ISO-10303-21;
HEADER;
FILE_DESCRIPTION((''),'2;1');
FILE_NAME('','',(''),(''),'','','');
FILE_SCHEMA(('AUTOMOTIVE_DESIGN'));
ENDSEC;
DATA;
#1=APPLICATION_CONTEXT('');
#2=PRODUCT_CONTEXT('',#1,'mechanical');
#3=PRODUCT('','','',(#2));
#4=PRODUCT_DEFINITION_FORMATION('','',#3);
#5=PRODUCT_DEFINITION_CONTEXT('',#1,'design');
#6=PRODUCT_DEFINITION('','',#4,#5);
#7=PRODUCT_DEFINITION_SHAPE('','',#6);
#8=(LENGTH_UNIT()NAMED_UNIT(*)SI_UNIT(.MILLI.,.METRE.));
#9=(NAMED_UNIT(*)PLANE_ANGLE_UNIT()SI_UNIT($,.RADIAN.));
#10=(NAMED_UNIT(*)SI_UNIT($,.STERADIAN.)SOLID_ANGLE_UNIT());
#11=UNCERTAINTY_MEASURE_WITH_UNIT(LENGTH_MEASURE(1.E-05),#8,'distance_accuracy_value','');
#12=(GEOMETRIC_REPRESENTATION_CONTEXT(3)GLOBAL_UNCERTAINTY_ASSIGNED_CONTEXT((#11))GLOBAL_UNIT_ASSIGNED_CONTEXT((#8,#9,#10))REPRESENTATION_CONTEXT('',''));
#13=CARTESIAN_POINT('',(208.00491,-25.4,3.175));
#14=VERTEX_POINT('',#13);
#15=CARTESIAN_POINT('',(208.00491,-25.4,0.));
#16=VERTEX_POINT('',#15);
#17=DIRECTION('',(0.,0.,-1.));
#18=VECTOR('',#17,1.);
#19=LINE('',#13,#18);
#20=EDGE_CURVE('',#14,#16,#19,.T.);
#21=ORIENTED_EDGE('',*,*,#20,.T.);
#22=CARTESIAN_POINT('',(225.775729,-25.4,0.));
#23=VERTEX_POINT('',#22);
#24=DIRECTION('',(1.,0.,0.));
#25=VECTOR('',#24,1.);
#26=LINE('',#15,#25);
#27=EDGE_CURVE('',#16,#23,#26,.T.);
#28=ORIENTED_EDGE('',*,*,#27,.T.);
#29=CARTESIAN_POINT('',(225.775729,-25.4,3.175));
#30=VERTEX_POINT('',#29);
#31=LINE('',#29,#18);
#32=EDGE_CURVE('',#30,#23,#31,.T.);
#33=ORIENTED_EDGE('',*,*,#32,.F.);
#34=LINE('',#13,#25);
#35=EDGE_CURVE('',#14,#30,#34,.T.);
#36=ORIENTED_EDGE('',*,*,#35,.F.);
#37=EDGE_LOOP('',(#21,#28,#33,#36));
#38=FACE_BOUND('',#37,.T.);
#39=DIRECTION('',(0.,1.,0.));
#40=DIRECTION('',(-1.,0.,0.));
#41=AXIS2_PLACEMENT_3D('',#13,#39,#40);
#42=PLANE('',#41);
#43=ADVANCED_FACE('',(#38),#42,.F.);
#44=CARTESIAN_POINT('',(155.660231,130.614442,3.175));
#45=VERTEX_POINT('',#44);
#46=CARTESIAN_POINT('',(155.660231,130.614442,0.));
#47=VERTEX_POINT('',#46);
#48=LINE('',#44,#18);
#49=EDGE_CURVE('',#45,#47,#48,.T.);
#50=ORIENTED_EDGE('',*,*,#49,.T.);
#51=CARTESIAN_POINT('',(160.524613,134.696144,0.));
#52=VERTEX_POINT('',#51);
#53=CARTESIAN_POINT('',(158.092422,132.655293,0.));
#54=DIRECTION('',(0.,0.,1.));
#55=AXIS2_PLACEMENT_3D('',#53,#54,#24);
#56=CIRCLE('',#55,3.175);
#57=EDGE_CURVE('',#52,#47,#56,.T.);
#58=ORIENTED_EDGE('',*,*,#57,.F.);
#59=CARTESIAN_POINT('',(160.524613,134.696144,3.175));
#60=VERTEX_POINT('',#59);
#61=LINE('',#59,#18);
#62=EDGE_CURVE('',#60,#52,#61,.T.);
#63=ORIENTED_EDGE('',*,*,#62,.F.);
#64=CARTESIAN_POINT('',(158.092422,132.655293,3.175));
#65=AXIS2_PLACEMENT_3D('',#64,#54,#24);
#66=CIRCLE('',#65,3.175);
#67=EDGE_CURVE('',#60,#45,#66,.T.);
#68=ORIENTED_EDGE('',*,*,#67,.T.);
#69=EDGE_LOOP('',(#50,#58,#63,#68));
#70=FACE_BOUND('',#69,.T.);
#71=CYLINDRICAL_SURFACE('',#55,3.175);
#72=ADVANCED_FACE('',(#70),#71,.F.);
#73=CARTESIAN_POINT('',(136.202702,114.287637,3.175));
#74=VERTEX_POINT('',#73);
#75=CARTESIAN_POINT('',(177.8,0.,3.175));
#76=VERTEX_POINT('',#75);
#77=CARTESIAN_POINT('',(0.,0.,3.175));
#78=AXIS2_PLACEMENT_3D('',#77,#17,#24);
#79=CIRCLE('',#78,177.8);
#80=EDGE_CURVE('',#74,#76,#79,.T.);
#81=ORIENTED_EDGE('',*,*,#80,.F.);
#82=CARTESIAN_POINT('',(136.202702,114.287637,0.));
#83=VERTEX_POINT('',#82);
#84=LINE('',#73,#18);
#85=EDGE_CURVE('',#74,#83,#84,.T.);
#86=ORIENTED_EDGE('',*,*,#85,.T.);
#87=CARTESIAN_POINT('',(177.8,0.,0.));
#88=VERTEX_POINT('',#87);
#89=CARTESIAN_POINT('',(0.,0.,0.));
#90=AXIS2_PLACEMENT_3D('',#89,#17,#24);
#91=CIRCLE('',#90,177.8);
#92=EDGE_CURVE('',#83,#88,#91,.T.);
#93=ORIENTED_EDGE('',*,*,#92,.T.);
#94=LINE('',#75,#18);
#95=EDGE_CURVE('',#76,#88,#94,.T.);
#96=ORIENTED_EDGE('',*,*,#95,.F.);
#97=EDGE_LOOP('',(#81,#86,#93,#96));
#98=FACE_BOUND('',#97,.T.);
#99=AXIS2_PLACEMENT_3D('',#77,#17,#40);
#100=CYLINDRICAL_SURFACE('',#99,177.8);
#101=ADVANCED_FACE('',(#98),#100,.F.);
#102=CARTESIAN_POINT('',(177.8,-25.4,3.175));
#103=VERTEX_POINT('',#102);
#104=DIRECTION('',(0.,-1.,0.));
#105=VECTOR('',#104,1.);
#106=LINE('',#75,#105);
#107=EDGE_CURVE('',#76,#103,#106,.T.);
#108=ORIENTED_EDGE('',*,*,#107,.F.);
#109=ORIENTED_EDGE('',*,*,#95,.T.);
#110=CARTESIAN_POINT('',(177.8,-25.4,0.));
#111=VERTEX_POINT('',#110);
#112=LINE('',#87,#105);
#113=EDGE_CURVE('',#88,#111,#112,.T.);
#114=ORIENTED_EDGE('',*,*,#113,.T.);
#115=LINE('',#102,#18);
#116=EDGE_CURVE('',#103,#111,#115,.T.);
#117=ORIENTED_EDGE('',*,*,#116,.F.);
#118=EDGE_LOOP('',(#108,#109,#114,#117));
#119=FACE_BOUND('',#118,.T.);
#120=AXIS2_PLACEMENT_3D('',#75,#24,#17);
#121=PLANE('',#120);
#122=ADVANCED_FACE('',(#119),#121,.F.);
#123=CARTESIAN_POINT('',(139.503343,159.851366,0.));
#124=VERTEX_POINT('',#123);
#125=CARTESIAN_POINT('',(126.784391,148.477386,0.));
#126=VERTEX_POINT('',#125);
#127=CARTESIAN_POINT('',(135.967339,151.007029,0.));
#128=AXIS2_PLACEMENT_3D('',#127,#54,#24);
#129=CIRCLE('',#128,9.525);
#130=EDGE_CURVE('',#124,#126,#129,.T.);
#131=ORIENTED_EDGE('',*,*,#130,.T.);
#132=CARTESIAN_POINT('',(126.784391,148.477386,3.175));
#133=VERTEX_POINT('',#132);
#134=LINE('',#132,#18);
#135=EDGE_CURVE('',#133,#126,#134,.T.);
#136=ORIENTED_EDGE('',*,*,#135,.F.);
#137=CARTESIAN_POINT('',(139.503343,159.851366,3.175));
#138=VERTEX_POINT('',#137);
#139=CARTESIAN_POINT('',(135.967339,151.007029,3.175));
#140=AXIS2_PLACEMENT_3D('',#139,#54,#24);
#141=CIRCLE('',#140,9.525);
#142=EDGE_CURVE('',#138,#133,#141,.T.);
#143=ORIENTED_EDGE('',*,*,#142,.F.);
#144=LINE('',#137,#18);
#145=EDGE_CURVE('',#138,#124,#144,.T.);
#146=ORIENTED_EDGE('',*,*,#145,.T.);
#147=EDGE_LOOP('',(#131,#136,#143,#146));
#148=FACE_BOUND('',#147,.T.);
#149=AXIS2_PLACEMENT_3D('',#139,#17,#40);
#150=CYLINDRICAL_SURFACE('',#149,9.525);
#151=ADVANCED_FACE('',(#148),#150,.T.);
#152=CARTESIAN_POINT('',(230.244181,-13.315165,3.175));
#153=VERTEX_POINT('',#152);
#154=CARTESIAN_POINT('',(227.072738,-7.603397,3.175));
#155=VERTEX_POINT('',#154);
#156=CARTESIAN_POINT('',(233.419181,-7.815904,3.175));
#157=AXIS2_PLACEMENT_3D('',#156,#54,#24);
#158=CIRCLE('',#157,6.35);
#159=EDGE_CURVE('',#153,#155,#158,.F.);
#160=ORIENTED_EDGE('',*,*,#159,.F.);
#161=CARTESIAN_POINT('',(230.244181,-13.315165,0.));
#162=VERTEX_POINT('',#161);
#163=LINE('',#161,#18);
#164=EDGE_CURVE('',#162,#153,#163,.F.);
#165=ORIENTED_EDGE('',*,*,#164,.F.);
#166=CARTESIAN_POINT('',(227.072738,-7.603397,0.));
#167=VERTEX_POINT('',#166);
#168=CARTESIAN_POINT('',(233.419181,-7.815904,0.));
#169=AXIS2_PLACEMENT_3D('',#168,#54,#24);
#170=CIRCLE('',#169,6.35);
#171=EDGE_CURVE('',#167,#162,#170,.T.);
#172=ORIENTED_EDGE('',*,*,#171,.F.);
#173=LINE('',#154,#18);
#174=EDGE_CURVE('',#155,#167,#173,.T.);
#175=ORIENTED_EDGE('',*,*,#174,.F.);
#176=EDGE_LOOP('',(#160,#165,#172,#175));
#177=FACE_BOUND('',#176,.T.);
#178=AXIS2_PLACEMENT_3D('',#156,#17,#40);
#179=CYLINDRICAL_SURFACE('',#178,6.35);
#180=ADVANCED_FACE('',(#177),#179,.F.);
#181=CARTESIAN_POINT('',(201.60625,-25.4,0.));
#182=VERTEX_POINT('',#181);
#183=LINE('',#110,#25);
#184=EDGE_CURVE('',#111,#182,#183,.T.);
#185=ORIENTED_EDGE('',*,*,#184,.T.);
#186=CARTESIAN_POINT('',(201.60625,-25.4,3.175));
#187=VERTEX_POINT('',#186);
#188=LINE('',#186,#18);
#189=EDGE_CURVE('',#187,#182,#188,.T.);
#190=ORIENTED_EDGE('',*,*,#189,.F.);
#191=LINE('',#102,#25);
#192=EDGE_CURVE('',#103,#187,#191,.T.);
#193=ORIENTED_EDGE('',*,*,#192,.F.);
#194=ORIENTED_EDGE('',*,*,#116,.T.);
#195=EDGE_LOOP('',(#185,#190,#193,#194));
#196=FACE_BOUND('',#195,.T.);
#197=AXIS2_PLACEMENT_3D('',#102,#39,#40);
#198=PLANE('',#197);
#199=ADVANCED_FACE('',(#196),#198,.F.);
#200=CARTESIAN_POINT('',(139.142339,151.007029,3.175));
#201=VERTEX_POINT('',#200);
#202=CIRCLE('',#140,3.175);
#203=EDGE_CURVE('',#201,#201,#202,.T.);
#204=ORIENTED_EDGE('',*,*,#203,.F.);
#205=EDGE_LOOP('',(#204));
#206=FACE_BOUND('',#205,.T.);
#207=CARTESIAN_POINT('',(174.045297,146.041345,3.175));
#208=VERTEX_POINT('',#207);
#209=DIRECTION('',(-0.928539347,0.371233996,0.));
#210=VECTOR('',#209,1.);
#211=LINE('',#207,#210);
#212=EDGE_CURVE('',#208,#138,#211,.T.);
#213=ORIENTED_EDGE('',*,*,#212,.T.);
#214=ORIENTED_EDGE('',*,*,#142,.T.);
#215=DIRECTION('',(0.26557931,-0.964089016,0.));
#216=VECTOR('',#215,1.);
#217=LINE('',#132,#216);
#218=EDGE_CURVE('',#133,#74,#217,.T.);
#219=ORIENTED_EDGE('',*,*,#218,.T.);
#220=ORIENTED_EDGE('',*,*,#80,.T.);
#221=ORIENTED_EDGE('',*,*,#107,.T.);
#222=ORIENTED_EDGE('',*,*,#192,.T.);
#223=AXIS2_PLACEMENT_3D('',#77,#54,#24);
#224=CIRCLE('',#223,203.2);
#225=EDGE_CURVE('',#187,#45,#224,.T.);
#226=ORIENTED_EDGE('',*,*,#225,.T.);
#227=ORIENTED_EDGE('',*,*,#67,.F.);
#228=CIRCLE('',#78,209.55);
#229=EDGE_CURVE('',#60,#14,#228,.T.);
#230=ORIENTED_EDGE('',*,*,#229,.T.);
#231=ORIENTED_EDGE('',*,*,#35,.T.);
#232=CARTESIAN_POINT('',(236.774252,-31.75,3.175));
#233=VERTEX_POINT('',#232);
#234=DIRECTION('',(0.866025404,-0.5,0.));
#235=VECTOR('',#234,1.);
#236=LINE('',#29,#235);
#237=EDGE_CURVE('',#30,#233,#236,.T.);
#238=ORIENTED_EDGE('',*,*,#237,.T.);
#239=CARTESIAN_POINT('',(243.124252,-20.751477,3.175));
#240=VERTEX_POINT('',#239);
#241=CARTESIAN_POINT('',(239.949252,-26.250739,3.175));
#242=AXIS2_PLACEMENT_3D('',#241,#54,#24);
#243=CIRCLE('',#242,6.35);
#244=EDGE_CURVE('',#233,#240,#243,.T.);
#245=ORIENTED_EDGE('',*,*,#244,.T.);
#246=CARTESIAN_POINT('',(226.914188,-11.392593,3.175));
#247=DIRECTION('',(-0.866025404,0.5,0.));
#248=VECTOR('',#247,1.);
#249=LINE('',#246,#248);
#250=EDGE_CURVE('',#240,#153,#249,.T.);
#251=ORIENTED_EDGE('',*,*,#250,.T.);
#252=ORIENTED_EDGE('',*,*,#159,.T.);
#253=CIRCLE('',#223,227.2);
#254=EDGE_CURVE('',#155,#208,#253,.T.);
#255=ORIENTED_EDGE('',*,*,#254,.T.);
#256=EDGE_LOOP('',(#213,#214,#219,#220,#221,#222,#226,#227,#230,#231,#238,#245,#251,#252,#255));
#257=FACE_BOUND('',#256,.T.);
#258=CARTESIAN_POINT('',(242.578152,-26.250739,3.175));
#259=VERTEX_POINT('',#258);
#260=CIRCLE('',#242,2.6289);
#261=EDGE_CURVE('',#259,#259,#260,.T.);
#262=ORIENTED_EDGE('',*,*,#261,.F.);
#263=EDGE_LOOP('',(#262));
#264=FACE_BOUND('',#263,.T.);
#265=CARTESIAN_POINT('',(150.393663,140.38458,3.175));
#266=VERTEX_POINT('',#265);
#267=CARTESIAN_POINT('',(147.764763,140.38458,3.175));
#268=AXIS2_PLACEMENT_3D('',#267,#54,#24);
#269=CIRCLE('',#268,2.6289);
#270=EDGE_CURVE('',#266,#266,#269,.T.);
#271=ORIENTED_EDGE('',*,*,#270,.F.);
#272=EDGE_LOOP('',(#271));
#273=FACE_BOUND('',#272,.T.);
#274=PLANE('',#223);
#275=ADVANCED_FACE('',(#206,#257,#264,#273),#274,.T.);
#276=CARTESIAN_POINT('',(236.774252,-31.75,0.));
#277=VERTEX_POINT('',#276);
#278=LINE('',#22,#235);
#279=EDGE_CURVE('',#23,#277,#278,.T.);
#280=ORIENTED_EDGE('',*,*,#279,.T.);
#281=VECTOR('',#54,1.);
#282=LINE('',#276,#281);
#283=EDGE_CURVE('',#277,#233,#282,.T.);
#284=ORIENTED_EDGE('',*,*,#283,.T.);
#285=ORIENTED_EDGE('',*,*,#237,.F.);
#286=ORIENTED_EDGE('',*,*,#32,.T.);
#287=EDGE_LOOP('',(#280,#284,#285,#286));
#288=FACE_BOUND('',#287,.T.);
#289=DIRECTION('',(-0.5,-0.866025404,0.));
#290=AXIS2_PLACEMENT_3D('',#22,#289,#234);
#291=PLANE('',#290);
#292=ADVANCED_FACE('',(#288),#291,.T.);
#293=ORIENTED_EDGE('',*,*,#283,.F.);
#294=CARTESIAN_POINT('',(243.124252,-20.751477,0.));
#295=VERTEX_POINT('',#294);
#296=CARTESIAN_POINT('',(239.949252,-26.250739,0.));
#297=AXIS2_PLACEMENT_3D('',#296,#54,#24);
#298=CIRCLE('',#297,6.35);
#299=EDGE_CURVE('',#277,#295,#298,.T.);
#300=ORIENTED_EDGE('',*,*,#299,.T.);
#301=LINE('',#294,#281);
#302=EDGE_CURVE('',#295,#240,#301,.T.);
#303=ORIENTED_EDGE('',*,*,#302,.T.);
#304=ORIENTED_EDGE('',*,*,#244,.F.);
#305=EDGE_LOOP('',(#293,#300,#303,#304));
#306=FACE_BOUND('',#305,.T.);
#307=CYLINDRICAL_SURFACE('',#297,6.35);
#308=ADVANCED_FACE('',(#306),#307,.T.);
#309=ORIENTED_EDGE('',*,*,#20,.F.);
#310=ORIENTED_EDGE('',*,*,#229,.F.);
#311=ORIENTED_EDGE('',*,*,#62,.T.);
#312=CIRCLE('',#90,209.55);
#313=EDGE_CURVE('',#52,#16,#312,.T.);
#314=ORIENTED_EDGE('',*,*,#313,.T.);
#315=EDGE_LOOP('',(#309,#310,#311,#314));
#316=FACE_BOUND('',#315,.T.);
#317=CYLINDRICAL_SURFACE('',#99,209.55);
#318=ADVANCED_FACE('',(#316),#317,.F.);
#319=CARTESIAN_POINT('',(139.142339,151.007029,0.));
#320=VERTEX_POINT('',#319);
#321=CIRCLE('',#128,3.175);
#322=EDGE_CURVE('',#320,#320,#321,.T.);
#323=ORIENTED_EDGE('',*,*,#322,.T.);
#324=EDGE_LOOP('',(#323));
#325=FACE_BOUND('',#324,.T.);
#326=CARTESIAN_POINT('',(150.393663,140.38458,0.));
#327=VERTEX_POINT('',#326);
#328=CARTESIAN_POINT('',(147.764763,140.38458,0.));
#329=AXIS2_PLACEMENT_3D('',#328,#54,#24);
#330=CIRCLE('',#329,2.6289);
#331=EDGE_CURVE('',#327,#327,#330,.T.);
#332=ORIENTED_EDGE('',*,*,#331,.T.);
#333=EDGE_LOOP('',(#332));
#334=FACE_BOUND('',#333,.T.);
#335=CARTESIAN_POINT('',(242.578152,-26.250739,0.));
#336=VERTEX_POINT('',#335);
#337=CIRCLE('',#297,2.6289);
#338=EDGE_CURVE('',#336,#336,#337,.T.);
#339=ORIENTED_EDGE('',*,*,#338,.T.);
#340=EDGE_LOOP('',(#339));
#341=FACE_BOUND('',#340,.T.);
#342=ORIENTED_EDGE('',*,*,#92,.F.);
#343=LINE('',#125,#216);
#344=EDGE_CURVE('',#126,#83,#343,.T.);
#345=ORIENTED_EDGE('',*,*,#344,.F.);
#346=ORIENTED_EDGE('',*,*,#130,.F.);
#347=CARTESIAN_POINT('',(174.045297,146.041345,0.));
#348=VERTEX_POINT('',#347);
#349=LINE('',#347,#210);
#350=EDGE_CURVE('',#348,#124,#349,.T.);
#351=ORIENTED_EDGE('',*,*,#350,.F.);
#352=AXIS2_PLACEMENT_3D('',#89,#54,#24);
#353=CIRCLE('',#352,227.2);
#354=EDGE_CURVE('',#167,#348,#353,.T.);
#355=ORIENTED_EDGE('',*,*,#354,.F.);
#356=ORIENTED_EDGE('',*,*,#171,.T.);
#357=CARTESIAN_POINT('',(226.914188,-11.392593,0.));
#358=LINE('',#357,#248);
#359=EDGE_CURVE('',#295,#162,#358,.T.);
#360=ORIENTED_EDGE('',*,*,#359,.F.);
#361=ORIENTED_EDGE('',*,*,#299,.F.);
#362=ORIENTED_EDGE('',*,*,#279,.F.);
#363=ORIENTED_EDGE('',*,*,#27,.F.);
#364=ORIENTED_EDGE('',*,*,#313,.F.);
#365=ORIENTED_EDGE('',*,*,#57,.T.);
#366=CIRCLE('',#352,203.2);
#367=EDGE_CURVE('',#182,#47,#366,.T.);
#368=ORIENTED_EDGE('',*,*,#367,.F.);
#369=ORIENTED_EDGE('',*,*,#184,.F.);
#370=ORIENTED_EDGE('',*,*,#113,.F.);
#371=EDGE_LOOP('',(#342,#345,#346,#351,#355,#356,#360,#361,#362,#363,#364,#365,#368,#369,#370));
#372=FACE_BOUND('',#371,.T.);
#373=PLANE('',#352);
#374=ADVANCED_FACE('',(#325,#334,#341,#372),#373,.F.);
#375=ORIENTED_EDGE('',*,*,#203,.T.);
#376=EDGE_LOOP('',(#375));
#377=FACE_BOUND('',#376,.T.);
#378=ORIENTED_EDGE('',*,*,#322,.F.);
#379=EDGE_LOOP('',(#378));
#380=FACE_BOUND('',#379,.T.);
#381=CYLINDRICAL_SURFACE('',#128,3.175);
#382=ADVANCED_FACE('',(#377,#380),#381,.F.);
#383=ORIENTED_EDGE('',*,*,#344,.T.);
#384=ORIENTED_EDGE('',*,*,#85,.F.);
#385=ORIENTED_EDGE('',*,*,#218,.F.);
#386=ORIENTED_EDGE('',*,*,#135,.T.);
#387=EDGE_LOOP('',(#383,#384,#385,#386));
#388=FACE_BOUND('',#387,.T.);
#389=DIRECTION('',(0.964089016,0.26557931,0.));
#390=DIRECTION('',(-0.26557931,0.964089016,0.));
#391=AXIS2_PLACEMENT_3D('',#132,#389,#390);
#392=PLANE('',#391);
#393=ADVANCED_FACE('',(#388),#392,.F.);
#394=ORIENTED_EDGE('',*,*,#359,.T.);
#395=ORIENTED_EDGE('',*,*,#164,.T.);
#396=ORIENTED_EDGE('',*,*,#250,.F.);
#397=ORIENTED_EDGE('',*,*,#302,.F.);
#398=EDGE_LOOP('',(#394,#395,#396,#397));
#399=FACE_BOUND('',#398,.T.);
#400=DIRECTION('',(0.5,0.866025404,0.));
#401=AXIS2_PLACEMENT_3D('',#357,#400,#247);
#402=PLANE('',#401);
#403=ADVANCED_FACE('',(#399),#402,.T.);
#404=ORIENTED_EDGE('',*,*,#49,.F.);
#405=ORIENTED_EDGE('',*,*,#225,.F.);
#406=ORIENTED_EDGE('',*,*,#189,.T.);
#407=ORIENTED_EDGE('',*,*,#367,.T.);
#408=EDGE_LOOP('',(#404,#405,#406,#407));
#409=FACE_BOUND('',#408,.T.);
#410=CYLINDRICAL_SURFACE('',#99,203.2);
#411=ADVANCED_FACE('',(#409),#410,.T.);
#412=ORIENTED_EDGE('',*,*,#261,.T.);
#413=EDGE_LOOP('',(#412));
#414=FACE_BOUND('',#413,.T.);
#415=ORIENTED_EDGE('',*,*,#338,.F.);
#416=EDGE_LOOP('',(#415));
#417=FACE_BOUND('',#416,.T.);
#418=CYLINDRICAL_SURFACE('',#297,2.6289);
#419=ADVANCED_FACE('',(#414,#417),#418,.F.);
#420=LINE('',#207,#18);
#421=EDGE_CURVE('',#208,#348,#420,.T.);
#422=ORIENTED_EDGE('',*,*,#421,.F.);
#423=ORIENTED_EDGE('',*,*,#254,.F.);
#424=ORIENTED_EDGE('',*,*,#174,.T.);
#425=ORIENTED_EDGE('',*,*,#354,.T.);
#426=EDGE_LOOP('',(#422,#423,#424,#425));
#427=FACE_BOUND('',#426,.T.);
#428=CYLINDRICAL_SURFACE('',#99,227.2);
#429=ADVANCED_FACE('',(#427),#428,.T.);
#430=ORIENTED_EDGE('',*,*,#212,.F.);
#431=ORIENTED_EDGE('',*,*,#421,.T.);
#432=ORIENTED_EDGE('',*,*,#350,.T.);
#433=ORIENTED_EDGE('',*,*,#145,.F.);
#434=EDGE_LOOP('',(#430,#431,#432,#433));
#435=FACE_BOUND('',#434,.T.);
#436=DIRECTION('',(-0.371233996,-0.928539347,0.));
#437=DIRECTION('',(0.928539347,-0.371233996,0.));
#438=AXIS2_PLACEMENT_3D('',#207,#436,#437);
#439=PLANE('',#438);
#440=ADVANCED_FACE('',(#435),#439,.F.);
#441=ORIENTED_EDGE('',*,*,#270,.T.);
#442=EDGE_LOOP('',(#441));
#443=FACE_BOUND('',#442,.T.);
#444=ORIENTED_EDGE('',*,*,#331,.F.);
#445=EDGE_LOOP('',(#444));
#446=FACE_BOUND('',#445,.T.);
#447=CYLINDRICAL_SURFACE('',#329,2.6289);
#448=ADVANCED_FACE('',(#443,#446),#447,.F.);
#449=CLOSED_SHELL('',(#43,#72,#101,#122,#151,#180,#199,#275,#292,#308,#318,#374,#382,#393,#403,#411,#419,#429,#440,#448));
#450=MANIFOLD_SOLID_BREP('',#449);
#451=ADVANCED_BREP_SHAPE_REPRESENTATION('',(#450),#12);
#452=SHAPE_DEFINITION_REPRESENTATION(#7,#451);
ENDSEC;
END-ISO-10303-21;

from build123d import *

# Parameters (mm, degrees)
COPIED_SKETCH_DONT_MESS_WITH_DEPTH = 3.175
SKETCH3_R                          = 3.175
HOLE_FOR_TOP_SUPPORT_BRACING_DEPTH = 4.175
SKETCH4_R                          = 3.175
MAKING_IT_MACHINABLE_DEPTH         = 4.175
SKETCH5_R                          = 2.6289
THING_FOR_HARDSTOP_DEPTH           = 3.175
FILLET1_R                          = 6.35
SKETCH6_R                          = 2.6289
CUT_EXTRUDE1_DEPTH                 = 4.175


with BuildPart() as part:
    # Sketch2 → Copied sketch - dont mess with (new body)
    with BuildSketch(Plane.XY):
        with BuildLine():
            Line((155.660230842, 130.614442288), (160.524613056, 134.69614361))
            ThreePointArc((160.524613056, 134.69614361), (200.900960932, 59.581930119), (208.004909798, -25.4))
            Line((208.004909798, -25.4), (225.775729431, -25.4))
            ThreePointArc((225.775729431, -25.4), (217.513785946, 65.632255207), (174.045297477, 146.041344921))
            Line((174.045297477, 146.041344921), (139.503343029, 159.851365822))
            ThreePointArc((139.503343029, 159.851365822), (129.618020291, 158.107153482), (126.784391338, 148.47738561))
            Line((126.784391338, 148.47738561), (136.202701987, 114.287637002))
            ThreePointArc((136.202701987, 114.287637002), (167.077347976, 60.811181483), (177.8, 0))
            Line((177.8, 0), (177.8, -25.4))
            Line((177.8, -25.4), (201.606249903, -25.4))
            ThreePointArc((201.606249903, -25.4), (194.922962004, 57.404519712), (155.660230842, 130.614442288))
        make_face()
    extrude(amount=COPIED_SKETCH_DONT_MESS_WITH_DEPTH)

    # Sketch3 → Hole for top support bracing (cut, through all)
    with BuildSketch(Plane.XY.offset(3.175)):
        with Locations((135.967339212, 151.007028537)):
            Circle(SKETCH3_R)
    extrude(amount=-HOLE_FOR_TOP_SUPPORT_BRACING_DEPTH, mode=Mode.SUBTRACT)

    # Sketch4 → Making it machinable (cut, through all)
    with BuildSketch(Plane.XY.offset(3.175)):
        with Locations((158.092421949, 132.655292949)):
            Circle(SKETCH4_R)
    extrude(amount=-MAKING_IT_MACHINABLE_DEPTH, mode=Mode.SUBTRACT)

    # Sketch5 → Thing for hardstop (add)
    with BuildSketch(Plane.XY.offset(3.175)):
        with BuildLine():
            Line((225.775729431, -25.4), (236.774252059, -31.75))
            ThreePointArc((236.774252059, -31.75), (245.448513373, -29.425738686), (243.124252059, -20.751477372))
            Line((243.124252059, -20.751477372), (226.914188257, -11.392592672))
            ThreePointArc((226.914188257, -11.392592672), (226.453289353, -18.405100951), (225.775729431, -25.4))
        make_face()
        with Locations((239.949252059, -26.250738686)):
            Circle(SKETCH5_R, mode=Mode.SUBTRACT)
    extrude(amount=-THING_FOR_HARDSTOP_DEPTH)

    # Fillet1
    fillet1_edges = [part.edges().sort_by_distance(p)[0] for p in [
        (226.914188257, -11.392592672, 1.5875),
    ]]
    fillet(fillet1_edges, radius=FILLET1_R)

    # Sketch6 → Cut-Extrude1 (cut, through all)
    with BuildSketch(Plane.XY.offset(3.175)):
        with Locations((147.764763317, 140.384580161)):
            Circle(SKETCH6_R)
    extrude(amount=-CUT_EXTRUDE1_DEPTH, mode=Mode.SUBTRACT)


solid = part.part
